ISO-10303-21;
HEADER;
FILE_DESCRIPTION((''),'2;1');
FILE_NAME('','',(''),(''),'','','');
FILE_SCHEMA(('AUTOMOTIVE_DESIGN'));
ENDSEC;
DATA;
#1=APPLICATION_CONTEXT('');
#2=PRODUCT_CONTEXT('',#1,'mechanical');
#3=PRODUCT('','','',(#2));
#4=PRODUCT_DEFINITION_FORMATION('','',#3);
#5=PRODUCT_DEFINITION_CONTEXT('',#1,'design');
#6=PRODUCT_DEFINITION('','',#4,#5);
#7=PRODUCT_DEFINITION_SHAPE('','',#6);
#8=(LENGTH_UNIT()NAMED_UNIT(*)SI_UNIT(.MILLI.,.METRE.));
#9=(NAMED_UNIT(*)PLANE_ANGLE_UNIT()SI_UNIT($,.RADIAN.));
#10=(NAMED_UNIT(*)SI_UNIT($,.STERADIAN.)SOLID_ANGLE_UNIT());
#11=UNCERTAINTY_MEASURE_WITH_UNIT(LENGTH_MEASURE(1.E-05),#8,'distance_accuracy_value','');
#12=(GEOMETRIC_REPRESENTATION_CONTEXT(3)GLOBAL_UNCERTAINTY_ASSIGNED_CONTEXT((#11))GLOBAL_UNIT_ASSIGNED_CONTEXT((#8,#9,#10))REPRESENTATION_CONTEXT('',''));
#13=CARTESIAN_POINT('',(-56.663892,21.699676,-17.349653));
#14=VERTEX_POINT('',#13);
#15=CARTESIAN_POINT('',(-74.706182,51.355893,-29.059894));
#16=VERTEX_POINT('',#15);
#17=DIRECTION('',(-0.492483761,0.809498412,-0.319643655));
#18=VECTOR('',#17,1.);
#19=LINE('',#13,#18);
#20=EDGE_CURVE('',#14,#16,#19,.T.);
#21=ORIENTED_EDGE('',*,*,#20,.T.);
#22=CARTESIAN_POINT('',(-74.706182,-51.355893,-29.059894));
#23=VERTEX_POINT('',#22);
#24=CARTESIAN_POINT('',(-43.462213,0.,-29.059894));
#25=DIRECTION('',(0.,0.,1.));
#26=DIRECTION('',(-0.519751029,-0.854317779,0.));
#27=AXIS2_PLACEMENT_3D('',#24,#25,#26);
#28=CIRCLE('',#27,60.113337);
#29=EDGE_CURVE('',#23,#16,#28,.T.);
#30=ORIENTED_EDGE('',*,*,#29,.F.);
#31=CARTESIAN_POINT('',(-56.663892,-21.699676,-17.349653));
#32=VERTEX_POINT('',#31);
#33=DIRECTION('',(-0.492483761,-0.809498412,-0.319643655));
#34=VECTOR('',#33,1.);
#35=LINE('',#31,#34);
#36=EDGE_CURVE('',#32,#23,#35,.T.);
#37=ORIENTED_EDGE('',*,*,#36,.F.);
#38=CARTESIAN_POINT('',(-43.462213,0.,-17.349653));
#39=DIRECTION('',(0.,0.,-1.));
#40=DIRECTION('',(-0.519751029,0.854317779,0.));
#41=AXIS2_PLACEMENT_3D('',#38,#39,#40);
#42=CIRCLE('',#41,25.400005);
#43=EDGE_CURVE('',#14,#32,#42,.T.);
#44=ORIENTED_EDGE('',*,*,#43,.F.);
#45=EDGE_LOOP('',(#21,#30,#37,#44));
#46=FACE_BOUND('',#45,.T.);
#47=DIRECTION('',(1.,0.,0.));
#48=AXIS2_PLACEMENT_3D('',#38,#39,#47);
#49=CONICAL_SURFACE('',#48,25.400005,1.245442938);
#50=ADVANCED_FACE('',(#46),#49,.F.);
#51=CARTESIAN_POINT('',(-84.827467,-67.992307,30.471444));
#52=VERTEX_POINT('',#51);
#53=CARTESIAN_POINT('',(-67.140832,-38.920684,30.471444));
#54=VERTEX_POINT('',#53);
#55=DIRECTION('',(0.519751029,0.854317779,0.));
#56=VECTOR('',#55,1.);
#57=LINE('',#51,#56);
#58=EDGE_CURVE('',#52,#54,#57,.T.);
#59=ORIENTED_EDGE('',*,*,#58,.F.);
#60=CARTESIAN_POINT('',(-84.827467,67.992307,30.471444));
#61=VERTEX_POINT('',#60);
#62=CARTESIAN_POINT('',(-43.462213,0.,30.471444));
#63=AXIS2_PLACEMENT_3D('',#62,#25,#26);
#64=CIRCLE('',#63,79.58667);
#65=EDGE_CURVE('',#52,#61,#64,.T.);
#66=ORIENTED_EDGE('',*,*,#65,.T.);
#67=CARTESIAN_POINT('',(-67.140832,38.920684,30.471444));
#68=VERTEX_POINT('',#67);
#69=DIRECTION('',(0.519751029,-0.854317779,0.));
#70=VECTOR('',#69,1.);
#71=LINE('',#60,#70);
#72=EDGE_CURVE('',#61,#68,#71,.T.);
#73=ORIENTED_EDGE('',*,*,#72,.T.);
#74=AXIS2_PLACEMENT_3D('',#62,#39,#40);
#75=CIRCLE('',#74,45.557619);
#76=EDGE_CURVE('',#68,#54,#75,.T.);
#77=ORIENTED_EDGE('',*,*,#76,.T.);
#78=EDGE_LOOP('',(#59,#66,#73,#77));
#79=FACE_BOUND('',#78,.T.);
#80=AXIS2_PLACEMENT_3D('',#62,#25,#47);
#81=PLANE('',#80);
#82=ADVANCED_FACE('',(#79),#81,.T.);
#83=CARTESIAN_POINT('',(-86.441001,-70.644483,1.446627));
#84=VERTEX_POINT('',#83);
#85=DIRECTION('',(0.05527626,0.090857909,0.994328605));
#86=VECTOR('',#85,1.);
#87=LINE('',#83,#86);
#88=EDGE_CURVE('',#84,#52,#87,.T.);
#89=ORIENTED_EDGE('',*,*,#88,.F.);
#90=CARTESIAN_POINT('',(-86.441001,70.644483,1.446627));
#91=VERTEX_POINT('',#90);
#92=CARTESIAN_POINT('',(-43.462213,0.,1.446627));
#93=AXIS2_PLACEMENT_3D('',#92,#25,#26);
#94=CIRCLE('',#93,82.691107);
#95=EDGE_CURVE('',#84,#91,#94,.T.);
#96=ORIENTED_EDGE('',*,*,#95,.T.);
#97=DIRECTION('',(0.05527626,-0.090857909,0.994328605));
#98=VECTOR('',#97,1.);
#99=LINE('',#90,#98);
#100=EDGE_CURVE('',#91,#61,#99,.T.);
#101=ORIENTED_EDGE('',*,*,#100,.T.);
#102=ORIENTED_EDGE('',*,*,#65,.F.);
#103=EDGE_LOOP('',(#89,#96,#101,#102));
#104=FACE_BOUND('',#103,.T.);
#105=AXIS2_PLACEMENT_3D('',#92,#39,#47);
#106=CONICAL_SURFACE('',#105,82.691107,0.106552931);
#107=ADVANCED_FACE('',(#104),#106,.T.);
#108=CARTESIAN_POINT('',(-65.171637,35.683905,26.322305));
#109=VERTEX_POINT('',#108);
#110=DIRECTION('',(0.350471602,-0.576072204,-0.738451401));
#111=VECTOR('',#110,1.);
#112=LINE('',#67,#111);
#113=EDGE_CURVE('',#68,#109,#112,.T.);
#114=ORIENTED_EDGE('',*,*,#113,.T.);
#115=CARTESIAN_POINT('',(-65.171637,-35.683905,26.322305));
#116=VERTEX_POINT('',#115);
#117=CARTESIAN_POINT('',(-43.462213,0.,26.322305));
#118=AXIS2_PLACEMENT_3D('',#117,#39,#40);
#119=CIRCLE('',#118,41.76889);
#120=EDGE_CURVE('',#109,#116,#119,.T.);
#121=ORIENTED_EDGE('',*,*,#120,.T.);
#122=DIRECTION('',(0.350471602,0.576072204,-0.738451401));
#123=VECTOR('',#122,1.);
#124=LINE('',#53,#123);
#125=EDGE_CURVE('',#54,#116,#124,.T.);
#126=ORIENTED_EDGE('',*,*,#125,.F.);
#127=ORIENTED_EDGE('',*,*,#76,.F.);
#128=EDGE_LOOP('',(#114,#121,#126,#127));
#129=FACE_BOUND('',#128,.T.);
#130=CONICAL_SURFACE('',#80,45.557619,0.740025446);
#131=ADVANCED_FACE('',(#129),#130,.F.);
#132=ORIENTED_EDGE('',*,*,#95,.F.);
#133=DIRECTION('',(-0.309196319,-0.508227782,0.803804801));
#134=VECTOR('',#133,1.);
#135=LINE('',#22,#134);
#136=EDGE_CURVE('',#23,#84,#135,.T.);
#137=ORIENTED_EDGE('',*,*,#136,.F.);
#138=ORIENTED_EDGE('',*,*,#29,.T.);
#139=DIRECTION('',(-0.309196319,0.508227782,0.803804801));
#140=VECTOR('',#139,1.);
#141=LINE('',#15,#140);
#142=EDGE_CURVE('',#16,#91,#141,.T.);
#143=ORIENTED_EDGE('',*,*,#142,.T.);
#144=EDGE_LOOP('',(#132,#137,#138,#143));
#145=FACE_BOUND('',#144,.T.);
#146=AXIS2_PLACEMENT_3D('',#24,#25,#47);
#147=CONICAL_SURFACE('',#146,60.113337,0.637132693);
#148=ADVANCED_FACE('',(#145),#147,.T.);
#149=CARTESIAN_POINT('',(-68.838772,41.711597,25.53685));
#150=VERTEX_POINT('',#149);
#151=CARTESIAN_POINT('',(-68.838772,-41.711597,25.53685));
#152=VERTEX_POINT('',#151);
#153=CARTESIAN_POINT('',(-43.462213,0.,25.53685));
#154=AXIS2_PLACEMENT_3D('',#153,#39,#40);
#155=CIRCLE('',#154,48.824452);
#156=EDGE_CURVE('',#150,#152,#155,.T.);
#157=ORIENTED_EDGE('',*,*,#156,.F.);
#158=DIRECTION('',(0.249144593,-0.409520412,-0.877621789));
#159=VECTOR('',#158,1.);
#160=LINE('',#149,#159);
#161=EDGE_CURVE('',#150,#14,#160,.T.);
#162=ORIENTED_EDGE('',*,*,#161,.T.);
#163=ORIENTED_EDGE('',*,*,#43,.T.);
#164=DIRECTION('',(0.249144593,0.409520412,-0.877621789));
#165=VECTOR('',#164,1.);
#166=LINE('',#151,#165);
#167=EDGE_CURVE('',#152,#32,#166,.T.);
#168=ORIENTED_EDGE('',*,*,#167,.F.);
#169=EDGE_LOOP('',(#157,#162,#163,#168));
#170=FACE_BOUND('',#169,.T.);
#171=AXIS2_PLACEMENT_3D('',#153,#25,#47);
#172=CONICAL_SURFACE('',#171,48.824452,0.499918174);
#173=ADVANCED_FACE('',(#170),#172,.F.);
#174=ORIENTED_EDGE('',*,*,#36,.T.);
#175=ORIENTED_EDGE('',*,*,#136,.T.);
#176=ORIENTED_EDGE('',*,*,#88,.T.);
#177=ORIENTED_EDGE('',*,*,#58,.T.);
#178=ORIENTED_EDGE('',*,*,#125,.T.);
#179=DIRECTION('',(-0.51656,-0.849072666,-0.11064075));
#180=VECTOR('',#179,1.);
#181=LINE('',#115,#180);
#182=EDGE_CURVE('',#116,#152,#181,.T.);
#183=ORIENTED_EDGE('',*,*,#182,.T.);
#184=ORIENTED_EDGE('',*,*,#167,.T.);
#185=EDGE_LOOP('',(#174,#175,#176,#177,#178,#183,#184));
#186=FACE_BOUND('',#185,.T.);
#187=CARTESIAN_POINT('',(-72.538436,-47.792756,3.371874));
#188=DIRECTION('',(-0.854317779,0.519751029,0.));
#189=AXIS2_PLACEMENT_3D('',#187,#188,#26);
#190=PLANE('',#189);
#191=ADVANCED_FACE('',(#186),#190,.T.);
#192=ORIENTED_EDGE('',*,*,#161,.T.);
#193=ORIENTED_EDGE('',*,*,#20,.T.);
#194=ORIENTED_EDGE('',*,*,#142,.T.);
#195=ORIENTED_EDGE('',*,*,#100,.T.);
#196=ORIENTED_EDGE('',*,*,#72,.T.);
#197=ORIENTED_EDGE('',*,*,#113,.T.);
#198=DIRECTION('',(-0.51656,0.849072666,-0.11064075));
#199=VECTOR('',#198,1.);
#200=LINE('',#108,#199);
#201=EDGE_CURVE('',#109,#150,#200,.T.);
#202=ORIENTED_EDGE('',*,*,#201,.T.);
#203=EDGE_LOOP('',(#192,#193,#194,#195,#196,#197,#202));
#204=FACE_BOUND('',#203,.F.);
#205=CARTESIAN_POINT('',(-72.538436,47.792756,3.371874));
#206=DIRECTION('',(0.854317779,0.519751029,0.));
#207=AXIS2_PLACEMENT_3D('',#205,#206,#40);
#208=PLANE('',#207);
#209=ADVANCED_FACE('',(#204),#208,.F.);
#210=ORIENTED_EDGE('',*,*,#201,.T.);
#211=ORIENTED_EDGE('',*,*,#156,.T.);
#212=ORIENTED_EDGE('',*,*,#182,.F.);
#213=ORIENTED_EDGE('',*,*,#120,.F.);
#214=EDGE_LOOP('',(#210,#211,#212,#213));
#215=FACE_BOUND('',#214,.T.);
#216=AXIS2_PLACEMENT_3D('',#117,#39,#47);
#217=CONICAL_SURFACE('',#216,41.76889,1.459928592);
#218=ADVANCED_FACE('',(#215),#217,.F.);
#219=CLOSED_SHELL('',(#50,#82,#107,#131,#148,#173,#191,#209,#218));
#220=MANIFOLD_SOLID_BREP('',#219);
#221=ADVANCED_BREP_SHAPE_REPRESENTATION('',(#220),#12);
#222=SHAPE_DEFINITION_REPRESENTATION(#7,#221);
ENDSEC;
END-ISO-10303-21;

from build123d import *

# Parameters (mm, degrees)
F2_ANGLE = 242.631105


with BuildPart() as f2:
    # F0 (on Front) → F2 (revolve, symmetric)
    with BuildSketch(Plane.XZ) as f2_sk:
        Polygon((36.124457, 30.471444), (2.095406, 30.471444), (-1.693323, 26.322305), (5.362239, 25.53685), (-18.062208, -17.349653), (16.651124, -29.059894), (39.228894, 1.446627), align=None)
    revolve(axis=Axis((-43.462213, 0, 5.015243), (0, 0, -1)), revolution_arc=F2_ANGLE / 2)
    revolve(f2_sk.sketch, axis=Axis((-43.462213, 0, 5.015243), (0, 0, 1)), revolution_arc=F2_ANGLE / 2)


solid = f2.part
